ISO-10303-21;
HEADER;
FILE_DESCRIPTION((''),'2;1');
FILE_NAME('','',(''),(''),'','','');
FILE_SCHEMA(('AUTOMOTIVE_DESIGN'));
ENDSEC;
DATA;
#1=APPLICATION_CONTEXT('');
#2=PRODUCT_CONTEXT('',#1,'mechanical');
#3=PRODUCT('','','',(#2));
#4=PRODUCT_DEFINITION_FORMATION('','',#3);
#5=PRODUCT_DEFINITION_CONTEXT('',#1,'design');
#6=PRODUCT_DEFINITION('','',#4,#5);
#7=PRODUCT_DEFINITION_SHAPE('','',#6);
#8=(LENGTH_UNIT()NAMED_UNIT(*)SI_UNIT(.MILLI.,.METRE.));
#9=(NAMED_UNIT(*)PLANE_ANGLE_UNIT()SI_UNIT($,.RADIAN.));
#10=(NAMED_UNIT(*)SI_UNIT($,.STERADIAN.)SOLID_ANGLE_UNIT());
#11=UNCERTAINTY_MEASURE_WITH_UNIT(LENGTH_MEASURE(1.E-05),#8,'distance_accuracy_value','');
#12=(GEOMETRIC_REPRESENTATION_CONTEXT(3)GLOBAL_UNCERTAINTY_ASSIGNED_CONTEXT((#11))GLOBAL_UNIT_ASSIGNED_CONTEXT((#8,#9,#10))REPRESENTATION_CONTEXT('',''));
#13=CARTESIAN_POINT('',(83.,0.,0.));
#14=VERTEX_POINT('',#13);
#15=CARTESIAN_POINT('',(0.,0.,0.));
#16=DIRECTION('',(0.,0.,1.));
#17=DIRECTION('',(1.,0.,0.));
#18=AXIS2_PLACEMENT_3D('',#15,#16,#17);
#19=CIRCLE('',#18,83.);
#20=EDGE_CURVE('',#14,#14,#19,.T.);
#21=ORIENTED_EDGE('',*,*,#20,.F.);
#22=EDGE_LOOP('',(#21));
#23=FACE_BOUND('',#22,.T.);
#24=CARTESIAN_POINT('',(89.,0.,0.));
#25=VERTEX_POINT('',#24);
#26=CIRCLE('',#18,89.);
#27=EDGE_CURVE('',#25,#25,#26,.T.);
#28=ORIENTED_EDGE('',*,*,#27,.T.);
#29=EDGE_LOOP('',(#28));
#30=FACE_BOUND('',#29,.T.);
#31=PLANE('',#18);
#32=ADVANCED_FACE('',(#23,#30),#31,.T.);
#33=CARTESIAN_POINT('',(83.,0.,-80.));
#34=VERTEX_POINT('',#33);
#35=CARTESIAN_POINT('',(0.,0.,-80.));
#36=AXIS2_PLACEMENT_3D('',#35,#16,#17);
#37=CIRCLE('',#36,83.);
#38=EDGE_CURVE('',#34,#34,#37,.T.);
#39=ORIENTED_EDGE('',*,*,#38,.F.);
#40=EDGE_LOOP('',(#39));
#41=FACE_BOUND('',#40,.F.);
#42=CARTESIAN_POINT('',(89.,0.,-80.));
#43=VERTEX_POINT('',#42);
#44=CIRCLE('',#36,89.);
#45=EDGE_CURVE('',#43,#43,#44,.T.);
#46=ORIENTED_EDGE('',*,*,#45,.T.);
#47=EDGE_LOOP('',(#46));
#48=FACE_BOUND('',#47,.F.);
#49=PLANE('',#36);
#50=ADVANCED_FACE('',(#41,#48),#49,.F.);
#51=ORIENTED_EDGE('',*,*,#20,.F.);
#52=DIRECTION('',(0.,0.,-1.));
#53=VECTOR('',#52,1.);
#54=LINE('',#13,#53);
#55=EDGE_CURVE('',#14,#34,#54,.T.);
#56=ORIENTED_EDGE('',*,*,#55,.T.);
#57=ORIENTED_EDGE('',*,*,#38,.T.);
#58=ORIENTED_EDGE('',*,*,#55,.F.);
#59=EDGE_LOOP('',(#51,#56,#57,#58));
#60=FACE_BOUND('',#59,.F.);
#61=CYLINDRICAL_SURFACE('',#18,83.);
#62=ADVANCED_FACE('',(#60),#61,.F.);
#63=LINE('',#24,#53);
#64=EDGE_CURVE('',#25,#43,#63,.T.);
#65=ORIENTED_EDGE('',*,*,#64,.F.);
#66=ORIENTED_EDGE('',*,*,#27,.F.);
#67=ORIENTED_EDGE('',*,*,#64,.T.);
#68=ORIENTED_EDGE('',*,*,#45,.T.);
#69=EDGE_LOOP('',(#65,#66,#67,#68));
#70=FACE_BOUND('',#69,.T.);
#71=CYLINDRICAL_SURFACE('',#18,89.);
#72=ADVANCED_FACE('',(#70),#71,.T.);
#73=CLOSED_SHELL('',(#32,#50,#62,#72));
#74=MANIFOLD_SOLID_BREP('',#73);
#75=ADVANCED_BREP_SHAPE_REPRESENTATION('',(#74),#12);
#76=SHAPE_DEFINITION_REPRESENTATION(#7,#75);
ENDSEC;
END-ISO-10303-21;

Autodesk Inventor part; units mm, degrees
ref_plane "YZ Plane" through (0, 0, 0) normal (1, 0, 0) x (0, 1, 0)
ref_plane "XZ Plane" through (0, 0, 0) normal (0, 1, 0) x (-1, 0, 0)
ref_plane "XY Plane" through (0, 0, 0) normal (0, 0, 1) x (1, 0, 0)
ref_plane "Work Plane1" through (0, 0, 0) normal (0, 0, 1) x (1, 0, 0)
sketch "Sketch1" plane through (0, 0, 0) normal (0, 0, 1) x (1, 0, 0)
  circle A0 centre (0, 0) radius 83
  circle A1 centre (0, 0) radius 89 projected
  dimension "d0" = 6
extrude "Extrusion1" add sketch "Sketch1" against normal blind 80
properties material "Steel, Mild"
